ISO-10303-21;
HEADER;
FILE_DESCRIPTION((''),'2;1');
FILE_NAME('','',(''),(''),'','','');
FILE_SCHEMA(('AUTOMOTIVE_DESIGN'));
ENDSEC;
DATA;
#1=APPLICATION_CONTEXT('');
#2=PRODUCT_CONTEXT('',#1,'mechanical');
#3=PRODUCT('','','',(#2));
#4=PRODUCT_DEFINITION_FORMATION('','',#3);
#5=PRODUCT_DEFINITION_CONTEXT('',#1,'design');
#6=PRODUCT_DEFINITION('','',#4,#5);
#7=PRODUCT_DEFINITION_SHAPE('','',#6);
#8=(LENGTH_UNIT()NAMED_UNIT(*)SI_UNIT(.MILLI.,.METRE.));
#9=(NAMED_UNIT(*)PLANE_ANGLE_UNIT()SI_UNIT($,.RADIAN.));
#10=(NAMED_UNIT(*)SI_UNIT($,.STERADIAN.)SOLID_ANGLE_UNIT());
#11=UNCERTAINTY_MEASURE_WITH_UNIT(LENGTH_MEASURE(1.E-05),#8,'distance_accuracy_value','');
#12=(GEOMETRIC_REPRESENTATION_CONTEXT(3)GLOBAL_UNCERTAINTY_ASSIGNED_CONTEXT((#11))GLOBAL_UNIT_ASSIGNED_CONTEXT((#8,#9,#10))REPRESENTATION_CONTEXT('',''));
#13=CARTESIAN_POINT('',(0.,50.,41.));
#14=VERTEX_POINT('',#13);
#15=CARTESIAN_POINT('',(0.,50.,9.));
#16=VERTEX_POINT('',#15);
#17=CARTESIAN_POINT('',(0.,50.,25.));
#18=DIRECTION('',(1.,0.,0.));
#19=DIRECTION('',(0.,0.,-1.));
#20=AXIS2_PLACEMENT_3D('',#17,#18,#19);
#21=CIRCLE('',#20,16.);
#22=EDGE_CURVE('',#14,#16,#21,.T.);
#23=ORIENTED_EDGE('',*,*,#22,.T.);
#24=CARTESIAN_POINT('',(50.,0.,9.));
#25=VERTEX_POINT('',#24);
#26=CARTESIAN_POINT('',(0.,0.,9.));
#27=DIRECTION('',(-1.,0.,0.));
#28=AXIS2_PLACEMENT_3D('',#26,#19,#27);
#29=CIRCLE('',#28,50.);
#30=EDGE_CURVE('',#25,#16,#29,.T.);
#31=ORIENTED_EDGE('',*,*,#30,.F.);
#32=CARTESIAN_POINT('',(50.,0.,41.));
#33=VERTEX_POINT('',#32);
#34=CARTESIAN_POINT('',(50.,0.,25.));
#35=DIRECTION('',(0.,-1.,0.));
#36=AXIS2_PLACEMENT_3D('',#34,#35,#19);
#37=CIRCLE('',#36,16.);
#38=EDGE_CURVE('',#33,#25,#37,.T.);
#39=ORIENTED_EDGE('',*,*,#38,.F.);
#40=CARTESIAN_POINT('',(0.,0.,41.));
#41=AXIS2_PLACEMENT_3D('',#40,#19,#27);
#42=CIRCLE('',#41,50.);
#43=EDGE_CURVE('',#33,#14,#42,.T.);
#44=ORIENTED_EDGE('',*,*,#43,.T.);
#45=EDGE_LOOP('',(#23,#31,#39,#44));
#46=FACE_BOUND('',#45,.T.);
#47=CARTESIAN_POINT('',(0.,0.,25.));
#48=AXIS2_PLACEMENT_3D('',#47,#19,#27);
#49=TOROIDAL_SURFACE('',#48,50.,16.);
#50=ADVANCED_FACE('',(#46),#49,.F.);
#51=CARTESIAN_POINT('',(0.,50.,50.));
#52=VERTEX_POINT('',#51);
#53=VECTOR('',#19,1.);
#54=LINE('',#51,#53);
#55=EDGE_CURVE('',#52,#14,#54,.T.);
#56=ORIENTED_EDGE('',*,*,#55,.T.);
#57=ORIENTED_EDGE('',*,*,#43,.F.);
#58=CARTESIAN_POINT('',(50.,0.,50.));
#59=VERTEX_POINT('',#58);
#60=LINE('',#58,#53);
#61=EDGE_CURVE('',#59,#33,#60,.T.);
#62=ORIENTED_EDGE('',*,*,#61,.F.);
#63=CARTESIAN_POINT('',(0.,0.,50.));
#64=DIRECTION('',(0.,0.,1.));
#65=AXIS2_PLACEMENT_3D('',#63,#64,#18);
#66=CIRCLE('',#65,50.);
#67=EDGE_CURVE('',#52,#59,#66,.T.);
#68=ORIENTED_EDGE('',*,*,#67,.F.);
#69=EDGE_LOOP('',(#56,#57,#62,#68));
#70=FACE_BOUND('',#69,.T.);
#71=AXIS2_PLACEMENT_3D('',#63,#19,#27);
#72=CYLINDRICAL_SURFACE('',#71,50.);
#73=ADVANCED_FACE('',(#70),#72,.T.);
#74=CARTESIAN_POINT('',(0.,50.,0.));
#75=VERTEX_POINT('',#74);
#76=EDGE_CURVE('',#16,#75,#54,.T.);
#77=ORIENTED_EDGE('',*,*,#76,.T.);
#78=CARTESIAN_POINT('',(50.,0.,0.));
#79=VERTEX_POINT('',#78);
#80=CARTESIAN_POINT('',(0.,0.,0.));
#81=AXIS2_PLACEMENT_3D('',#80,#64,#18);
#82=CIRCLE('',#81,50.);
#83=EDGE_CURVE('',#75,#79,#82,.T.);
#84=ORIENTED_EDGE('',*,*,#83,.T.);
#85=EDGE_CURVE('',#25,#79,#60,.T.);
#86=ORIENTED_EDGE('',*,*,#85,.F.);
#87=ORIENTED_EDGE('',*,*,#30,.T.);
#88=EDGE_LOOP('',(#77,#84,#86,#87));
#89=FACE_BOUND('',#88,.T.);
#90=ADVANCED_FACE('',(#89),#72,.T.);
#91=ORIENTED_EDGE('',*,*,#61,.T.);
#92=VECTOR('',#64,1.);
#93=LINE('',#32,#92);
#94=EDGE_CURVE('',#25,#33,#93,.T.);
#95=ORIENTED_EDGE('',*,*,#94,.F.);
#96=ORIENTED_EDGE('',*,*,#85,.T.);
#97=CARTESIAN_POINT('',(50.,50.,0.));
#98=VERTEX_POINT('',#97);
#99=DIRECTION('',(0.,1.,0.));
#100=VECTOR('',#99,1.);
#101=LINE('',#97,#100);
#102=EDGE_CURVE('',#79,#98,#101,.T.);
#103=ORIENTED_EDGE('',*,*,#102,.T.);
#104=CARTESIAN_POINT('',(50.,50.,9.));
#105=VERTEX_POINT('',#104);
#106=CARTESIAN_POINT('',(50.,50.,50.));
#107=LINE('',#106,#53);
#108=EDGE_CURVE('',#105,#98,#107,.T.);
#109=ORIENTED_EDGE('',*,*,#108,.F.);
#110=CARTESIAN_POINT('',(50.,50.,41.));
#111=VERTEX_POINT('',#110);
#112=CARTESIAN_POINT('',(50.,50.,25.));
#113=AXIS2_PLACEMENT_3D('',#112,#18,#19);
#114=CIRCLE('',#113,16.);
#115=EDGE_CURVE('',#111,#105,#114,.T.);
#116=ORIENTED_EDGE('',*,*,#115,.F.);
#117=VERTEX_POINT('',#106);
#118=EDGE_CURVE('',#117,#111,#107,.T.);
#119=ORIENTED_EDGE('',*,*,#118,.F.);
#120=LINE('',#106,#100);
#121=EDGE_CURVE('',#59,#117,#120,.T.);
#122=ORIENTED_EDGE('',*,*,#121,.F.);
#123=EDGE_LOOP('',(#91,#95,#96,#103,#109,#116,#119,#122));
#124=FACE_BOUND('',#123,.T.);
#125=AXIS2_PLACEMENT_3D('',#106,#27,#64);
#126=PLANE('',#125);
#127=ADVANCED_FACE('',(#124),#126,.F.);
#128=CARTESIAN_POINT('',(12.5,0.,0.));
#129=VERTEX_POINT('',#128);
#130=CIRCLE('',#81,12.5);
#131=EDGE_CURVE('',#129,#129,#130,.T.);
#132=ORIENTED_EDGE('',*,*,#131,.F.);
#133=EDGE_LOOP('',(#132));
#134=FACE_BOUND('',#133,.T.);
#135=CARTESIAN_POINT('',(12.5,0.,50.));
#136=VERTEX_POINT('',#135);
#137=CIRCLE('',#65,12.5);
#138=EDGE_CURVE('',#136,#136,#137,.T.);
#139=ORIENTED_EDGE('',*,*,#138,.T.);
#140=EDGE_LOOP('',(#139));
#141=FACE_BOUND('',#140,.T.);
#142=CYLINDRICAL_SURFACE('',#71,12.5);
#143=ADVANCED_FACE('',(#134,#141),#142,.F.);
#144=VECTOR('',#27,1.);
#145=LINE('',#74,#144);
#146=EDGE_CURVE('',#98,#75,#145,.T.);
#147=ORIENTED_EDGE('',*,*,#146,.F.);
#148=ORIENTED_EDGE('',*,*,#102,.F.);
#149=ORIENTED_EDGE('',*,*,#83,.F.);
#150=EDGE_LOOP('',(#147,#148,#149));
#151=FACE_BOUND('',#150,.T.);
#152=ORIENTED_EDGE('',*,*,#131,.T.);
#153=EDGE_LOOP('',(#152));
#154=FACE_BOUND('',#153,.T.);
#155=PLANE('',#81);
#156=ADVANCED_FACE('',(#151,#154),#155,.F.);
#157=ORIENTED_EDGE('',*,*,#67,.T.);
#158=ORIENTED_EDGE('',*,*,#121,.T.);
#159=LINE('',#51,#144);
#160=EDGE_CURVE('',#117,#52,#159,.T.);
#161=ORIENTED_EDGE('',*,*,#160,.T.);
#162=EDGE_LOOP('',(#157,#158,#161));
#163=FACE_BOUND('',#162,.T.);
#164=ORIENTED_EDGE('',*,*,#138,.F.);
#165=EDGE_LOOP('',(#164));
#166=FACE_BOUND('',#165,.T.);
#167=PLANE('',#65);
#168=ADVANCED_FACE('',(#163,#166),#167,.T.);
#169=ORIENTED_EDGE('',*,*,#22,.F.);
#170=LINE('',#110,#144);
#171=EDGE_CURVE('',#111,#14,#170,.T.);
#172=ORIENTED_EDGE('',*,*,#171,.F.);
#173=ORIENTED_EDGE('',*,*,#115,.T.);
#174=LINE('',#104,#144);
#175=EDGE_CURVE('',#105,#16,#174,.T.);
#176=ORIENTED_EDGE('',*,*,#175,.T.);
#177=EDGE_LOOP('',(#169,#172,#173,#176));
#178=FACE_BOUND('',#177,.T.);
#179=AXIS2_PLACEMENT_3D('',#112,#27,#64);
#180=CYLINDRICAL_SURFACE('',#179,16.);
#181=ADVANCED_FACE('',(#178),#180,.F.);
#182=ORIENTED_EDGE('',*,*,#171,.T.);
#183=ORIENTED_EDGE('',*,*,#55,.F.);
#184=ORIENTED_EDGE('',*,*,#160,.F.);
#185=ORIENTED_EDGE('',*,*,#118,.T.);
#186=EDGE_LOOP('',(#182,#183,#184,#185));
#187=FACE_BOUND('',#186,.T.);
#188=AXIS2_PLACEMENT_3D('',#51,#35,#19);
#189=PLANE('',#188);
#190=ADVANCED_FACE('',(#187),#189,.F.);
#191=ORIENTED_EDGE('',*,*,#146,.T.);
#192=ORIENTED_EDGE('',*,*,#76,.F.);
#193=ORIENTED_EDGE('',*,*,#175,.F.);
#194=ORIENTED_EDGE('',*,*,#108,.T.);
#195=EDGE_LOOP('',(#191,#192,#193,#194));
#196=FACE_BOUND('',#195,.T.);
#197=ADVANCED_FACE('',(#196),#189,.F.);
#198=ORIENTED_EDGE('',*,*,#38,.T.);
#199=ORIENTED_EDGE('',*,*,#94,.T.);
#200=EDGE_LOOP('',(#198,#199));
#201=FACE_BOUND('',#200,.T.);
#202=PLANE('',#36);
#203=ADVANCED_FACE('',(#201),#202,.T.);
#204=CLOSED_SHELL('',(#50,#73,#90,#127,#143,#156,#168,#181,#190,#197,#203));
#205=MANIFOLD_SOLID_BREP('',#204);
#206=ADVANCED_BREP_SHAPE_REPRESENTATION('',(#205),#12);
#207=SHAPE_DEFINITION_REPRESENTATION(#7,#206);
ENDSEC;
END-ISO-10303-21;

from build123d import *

# Parameters (mm, degrees)
SKETCH1_R           = 12.5
BOSS_EXTRUDE2_DEPTH = 50
CUT_REVOLVE1_ANGLE  = 270
CUT_EXTRUDE1_DEPTH  = 50


with BuildPart() as part:
    # Sketch1 → Boss-Extrude2 (new body)
    with BuildSketch(Plane.XY):
        with BuildLine():
            Line((0, 50), (50, 50))
            Line((50, 50), (50, 0))
            ThreePointArc((50, 0), (-35.355339059, -35.355339059), (0, 50))
        make_face()
        Circle(SKETCH1_R, mode=Mode.SUBTRACT)
    extrude(amount=BOSS_EXTRUDE2_DEPTH)

    # Sketch2 → Cut-Revolve1 (revolve, cut)
    with BuildSketch(Plane(origin=(0, 0, 0), x_dir=(0, 0, -1), z_dir=(1, 0, 0))):
        with BuildLine():
            Line((-41, 50), (-9, 50))
            ThreePointArc((-9, 50), (-25, 34), (-41, 50))
        make_face()
    revolve(axis=Axis((0, 0, 0), (0, 0, 1)), revolution_arc=CUT_REVOLVE1_ANGLE, mode=Mode.SUBTRACT)

    # Sketch2<2> → Cut-Extrude1 (cut)
    with BuildSketch(Plane(origin=(0, 0, 0), x_dir=(0, 0, -1), z_dir=(1, 0, 0))):
        with BuildLine():
            Line((-41, 50), (-9, 50))
            ThreePointArc((-9, 50), (-25, 34), (-41, 50))
        make_face()
    extrude(amount=CUT_EXTRUDE1_DEPTH, mode=Mode.SUBTRACT)


solid = part.part
